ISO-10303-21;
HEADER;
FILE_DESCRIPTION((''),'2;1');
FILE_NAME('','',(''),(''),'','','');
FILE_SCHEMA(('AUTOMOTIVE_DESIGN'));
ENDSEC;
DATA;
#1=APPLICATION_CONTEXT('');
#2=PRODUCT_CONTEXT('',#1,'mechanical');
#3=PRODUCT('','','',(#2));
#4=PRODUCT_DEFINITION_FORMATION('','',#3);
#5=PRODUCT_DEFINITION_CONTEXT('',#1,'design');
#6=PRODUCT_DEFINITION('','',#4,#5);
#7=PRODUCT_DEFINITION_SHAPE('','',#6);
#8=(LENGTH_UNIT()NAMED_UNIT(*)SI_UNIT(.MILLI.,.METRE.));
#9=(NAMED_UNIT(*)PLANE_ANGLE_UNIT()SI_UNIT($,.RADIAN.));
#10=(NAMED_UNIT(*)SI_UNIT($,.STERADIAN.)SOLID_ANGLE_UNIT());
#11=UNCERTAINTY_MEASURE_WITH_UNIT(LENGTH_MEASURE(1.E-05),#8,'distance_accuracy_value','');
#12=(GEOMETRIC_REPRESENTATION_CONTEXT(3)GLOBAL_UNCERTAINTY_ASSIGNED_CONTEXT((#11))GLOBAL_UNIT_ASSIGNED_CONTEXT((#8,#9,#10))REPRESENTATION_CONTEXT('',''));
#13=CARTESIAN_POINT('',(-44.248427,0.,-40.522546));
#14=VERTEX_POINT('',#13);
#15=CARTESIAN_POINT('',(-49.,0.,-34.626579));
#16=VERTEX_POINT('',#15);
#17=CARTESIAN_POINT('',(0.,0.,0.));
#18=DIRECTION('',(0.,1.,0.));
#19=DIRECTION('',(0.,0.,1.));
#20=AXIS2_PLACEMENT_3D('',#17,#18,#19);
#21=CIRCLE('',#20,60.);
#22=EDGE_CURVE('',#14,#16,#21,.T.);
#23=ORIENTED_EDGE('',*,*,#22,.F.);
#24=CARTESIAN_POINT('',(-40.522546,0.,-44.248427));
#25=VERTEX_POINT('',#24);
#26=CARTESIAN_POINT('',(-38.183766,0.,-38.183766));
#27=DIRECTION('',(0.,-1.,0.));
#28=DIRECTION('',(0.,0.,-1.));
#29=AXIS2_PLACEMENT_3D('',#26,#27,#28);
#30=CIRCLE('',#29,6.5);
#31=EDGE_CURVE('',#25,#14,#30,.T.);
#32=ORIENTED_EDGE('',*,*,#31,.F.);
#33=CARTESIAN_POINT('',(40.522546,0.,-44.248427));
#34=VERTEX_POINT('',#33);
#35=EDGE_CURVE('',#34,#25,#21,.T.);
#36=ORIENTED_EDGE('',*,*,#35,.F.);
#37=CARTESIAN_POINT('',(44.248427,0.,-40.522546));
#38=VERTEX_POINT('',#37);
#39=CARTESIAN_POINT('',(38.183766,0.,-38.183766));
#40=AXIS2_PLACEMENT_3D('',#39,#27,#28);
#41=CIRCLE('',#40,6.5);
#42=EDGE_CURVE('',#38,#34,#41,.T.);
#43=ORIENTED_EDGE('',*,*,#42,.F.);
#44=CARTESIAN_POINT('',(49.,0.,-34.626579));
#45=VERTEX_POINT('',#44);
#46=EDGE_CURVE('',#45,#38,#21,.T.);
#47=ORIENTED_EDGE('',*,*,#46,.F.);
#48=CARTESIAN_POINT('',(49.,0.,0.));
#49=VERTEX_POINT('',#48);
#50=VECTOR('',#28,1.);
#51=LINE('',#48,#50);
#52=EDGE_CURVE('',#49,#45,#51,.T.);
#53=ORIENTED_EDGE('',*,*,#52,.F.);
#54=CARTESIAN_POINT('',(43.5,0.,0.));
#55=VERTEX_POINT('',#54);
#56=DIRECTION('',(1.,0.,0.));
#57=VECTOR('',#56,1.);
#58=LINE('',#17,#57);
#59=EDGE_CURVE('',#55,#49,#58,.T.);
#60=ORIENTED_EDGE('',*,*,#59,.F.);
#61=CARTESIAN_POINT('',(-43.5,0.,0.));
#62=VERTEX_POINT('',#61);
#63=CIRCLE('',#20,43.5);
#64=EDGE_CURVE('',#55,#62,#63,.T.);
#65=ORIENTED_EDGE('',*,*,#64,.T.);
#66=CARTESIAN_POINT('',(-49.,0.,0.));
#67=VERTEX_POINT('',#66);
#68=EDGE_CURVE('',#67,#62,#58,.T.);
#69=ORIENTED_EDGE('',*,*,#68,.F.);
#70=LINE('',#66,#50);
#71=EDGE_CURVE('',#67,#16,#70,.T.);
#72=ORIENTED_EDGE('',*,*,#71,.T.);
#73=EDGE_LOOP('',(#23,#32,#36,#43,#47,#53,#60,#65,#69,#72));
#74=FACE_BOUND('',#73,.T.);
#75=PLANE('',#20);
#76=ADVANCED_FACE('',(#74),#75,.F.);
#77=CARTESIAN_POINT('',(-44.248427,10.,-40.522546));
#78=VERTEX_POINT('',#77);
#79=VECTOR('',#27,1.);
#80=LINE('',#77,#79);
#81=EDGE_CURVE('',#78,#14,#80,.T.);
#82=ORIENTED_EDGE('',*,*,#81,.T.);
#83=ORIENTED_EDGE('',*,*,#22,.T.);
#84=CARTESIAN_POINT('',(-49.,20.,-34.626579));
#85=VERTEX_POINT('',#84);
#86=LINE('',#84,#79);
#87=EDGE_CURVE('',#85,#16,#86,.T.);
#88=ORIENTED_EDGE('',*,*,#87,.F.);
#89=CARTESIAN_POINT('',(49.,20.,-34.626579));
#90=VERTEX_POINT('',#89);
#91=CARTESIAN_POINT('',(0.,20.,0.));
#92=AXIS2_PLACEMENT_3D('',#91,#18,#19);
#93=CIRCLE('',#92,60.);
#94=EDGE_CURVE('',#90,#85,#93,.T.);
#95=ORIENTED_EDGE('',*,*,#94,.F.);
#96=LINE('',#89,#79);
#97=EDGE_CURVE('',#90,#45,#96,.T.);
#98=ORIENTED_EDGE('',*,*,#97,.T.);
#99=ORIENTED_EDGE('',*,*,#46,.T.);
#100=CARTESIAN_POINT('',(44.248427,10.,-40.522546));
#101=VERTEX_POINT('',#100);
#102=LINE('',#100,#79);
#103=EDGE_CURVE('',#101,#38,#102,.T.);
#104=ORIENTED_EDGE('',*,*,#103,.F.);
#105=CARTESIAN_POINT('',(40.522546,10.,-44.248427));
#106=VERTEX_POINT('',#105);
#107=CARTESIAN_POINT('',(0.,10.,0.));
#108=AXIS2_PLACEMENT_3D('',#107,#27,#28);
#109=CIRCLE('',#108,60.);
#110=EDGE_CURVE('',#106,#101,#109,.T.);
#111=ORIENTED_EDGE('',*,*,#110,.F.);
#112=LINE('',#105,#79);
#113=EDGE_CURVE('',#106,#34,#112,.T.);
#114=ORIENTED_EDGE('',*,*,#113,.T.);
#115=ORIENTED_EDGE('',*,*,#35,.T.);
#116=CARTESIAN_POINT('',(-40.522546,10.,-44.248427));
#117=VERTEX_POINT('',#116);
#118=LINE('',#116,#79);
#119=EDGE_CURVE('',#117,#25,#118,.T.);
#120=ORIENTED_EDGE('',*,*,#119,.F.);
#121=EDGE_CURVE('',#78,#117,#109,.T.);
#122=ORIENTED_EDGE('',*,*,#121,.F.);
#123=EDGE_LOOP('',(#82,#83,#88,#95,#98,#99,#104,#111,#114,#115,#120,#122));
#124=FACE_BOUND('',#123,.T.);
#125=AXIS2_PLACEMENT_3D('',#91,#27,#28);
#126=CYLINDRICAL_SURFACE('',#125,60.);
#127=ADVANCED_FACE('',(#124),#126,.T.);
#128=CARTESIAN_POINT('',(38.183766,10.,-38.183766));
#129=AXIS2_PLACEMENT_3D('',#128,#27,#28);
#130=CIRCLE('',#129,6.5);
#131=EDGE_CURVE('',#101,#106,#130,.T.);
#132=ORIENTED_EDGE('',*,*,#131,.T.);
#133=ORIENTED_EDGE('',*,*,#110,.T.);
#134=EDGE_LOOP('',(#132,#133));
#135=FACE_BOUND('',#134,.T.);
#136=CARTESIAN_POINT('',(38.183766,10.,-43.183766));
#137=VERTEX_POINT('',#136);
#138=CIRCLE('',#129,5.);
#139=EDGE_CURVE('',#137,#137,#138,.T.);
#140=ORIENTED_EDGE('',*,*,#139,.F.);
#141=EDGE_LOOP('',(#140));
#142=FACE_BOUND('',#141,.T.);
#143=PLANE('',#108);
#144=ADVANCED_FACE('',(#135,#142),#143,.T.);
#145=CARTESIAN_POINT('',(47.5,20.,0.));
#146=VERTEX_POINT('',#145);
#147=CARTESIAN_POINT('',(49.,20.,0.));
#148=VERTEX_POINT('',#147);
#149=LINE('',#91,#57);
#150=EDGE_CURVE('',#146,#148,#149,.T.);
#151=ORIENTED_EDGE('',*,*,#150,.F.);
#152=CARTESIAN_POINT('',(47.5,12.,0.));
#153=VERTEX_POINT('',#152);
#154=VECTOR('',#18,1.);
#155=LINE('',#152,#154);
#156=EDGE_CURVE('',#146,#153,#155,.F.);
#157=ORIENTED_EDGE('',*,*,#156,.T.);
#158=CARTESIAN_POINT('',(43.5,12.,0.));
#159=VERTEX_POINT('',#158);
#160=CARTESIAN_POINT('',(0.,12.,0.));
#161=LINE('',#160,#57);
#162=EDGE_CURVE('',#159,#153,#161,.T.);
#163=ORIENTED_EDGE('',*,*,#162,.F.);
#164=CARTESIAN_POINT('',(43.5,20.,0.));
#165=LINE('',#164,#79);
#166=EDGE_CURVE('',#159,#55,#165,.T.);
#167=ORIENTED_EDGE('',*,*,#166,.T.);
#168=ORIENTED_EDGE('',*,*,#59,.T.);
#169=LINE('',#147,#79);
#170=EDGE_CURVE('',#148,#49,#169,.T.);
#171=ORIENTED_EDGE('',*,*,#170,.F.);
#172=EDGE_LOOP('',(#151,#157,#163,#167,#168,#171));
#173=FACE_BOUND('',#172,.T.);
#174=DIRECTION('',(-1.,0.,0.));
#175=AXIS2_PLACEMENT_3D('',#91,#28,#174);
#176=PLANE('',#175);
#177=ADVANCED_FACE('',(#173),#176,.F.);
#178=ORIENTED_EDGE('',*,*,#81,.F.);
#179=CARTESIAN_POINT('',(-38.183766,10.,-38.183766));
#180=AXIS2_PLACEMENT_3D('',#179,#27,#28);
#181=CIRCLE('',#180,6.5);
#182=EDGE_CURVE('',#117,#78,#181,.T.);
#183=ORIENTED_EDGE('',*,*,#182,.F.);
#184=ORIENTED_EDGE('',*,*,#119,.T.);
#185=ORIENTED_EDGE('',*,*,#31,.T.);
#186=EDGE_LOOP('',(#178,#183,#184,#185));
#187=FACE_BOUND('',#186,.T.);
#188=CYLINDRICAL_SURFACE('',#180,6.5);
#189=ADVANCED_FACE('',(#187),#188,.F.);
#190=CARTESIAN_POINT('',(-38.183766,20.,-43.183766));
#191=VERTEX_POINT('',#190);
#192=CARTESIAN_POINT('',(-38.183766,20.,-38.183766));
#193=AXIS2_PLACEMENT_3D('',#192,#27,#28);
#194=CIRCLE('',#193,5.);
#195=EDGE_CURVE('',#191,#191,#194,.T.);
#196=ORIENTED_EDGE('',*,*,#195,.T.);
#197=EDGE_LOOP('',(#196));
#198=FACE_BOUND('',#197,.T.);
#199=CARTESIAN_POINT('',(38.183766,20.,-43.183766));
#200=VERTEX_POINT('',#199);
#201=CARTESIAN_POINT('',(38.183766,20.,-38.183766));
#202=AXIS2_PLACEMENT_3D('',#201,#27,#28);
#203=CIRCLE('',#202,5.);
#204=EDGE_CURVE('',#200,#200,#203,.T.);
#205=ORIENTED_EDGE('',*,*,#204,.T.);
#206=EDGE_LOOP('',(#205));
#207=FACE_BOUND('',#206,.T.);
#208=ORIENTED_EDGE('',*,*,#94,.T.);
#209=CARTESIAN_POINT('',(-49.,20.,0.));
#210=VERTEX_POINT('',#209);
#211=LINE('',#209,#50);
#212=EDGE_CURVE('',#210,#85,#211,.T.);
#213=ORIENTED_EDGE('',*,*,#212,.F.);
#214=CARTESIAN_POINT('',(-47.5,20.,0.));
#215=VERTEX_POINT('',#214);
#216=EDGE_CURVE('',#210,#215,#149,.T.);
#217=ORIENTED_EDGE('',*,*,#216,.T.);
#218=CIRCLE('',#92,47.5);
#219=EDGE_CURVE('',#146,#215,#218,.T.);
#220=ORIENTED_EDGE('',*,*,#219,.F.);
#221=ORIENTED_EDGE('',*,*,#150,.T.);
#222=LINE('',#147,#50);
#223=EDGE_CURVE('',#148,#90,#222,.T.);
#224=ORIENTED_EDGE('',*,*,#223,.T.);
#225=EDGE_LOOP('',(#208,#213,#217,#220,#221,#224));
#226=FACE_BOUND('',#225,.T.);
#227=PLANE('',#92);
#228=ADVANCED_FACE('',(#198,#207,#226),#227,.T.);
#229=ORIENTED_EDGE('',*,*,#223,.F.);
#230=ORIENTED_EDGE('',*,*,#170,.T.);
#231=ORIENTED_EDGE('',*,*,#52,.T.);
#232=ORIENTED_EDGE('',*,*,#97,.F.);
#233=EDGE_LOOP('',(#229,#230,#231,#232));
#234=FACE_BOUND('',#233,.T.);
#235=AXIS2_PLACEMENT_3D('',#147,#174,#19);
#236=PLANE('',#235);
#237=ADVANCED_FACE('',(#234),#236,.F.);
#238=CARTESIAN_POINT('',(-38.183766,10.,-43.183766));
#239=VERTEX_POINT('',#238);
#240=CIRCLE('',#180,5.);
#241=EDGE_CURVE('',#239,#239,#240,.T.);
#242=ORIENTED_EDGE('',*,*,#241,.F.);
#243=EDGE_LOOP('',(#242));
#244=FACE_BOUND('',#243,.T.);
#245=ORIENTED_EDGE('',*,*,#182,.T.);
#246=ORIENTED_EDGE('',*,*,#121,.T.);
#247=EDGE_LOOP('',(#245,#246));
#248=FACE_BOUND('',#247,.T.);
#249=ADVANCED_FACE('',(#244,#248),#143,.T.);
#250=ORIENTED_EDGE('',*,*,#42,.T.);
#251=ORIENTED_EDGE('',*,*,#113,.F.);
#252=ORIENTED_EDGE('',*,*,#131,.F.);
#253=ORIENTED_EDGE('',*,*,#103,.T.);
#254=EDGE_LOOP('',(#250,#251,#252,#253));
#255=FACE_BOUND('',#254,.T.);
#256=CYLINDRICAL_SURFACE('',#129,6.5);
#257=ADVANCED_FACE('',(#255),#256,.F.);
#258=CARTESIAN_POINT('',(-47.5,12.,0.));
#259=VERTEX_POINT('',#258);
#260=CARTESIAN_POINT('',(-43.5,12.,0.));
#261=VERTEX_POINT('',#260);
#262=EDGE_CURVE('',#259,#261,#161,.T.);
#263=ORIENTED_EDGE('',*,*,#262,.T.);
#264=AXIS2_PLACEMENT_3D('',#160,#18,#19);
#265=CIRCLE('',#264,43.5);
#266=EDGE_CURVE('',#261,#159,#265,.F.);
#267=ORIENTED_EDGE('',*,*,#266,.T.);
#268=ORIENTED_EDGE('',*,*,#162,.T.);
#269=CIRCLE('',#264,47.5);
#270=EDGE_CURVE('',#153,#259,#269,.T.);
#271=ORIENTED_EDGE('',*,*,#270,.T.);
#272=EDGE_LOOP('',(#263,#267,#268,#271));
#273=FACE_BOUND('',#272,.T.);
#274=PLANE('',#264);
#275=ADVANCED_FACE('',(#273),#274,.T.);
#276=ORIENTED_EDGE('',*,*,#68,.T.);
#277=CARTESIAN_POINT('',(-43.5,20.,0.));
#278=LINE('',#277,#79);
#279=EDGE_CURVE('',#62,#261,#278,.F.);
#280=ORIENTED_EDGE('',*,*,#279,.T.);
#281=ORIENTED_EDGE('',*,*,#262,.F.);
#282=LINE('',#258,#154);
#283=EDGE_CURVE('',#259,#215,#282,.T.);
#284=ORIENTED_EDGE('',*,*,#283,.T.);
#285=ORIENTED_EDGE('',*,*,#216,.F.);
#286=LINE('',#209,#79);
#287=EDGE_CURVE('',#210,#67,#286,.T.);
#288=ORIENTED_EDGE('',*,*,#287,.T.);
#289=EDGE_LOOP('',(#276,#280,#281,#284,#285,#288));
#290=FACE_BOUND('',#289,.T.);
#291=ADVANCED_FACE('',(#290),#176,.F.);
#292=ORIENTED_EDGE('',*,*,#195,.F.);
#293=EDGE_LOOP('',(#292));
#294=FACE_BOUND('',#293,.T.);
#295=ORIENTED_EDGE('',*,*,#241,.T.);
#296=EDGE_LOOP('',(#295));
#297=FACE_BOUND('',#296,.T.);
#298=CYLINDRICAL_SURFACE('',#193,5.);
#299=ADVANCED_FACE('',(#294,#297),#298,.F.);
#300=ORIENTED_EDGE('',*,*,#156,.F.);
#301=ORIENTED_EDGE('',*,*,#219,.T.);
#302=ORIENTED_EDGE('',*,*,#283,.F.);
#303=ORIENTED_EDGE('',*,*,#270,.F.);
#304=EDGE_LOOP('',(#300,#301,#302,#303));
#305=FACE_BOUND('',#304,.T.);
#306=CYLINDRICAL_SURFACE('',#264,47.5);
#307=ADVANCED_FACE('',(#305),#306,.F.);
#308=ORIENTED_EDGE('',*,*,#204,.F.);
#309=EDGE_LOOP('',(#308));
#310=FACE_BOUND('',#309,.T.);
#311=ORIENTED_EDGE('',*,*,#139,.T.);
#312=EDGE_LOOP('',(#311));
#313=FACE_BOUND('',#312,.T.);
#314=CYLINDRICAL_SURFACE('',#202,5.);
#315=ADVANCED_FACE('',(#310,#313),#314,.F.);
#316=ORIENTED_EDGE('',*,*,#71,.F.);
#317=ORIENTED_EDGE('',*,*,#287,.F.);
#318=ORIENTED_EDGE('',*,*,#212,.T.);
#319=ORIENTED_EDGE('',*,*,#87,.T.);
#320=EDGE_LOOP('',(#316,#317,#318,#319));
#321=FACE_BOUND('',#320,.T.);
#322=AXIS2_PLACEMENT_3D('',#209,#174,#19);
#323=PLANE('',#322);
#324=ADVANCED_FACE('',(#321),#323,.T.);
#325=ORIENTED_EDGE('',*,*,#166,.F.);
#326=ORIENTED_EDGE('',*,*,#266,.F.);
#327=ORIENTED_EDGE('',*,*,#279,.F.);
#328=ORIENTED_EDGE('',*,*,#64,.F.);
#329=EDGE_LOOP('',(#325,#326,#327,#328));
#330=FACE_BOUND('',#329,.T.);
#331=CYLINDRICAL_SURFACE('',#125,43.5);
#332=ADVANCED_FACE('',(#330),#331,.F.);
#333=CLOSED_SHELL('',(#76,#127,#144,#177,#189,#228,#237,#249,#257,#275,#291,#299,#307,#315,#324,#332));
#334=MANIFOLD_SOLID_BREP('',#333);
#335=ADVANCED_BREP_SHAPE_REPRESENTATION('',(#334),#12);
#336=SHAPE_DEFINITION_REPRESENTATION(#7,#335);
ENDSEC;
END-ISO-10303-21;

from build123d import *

# Parameters (mm, degrees)
BOSS_EXTRUDE1_DEPTH = 20
SKETCH2_R           = 43.5
CUT_EXTRUDE2_DEPTH  = 81.006249756
SKETCH3_R           = 47.5
CUT_EXTRUDE3_DEPTH  = 8
SKETCH4_R           = 6.5
CUT_EXTRUDE4_DEPTH  = 10
SKETCH4_3_R         = 5
CUT_EXTRUDE6_DEPTH  = 81.006249756


with BuildPart() as part:
    # Sketch1 → Boss-Extrude1 (new body)
    with BuildSketch(Plane(origin=(0, 0, 0), x_dir=(1, 0, 0), z_dir=(0, 1, 0))):
        with BuildLine():
            Line((-49, 34.626579386), (-49, 0))
            Line((-49, 0), (49, 0))
            Line((49, 0), (49, 34.626579386))
            ThreePointArc((49, 34.626579386), (0, 60), (-49, 34.626579386))
        make_face()
    extrude(amount=BOSS_EXTRUDE1_DEPTH)

    # Sketch2 → Cut-Extrude2 (cut, through all)
    with BuildSketch(Plane.XZ):
        Circle(SKETCH2_R)
    extrude(amount=-CUT_EXTRUDE2_DEPTH, mode=Mode.SUBTRACT)

    # Sketch3 → Cut-Extrude3 (cut)
    with BuildSketch(Plane(origin=(0, 20, 0), x_dir=(1, 0, 0), z_dir=(0, 1, 0))):
        Circle(SKETCH3_R)
    extrude(amount=-CUT_EXTRUDE3_DEPTH, mode=Mode.SUBTRACT)

    # Sketch4 → Cut-Extrude4 (cut)
    with BuildSketch(Plane.XZ):
        with Locations((-38.183766184, 38.183766184)):
            Circle(SKETCH4_R)
        with Locations((38.183766184, 38.183766184)):
            Circle(SKETCH4_R)
        with Locations((38.183766184, -38.183766184)):
            Circle(SKETCH4_R)
        with Locations((-38.183766184, -38.183766184)):
            Circle(SKETCH4_R)
    extrude(amount=-CUT_EXTRUDE4_DEPTH, mode=Mode.SUBTRACT)

    # Sketch4<3> → Cut-Extrude6 (cut, through all)
    with BuildSketch(Plane.XZ):
        with Locations((-38.183766184, 38.183766184)):
            Circle(SKETCH4_3_R)
        with Locations((38.183766184, 38.183766184)):
            Circle(SKETCH4_3_R)
        with Locations((38.183766184, -38.183766184)):
            Circle(SKETCH4_3_R)
        with Locations((-38.183766184, -38.183766184)):
            Circle(SKETCH4_3_R)
    extrude(amount=-CUT_EXTRUDE6_DEPTH, mode=Mode.SUBTRACT)


solid = part.part
